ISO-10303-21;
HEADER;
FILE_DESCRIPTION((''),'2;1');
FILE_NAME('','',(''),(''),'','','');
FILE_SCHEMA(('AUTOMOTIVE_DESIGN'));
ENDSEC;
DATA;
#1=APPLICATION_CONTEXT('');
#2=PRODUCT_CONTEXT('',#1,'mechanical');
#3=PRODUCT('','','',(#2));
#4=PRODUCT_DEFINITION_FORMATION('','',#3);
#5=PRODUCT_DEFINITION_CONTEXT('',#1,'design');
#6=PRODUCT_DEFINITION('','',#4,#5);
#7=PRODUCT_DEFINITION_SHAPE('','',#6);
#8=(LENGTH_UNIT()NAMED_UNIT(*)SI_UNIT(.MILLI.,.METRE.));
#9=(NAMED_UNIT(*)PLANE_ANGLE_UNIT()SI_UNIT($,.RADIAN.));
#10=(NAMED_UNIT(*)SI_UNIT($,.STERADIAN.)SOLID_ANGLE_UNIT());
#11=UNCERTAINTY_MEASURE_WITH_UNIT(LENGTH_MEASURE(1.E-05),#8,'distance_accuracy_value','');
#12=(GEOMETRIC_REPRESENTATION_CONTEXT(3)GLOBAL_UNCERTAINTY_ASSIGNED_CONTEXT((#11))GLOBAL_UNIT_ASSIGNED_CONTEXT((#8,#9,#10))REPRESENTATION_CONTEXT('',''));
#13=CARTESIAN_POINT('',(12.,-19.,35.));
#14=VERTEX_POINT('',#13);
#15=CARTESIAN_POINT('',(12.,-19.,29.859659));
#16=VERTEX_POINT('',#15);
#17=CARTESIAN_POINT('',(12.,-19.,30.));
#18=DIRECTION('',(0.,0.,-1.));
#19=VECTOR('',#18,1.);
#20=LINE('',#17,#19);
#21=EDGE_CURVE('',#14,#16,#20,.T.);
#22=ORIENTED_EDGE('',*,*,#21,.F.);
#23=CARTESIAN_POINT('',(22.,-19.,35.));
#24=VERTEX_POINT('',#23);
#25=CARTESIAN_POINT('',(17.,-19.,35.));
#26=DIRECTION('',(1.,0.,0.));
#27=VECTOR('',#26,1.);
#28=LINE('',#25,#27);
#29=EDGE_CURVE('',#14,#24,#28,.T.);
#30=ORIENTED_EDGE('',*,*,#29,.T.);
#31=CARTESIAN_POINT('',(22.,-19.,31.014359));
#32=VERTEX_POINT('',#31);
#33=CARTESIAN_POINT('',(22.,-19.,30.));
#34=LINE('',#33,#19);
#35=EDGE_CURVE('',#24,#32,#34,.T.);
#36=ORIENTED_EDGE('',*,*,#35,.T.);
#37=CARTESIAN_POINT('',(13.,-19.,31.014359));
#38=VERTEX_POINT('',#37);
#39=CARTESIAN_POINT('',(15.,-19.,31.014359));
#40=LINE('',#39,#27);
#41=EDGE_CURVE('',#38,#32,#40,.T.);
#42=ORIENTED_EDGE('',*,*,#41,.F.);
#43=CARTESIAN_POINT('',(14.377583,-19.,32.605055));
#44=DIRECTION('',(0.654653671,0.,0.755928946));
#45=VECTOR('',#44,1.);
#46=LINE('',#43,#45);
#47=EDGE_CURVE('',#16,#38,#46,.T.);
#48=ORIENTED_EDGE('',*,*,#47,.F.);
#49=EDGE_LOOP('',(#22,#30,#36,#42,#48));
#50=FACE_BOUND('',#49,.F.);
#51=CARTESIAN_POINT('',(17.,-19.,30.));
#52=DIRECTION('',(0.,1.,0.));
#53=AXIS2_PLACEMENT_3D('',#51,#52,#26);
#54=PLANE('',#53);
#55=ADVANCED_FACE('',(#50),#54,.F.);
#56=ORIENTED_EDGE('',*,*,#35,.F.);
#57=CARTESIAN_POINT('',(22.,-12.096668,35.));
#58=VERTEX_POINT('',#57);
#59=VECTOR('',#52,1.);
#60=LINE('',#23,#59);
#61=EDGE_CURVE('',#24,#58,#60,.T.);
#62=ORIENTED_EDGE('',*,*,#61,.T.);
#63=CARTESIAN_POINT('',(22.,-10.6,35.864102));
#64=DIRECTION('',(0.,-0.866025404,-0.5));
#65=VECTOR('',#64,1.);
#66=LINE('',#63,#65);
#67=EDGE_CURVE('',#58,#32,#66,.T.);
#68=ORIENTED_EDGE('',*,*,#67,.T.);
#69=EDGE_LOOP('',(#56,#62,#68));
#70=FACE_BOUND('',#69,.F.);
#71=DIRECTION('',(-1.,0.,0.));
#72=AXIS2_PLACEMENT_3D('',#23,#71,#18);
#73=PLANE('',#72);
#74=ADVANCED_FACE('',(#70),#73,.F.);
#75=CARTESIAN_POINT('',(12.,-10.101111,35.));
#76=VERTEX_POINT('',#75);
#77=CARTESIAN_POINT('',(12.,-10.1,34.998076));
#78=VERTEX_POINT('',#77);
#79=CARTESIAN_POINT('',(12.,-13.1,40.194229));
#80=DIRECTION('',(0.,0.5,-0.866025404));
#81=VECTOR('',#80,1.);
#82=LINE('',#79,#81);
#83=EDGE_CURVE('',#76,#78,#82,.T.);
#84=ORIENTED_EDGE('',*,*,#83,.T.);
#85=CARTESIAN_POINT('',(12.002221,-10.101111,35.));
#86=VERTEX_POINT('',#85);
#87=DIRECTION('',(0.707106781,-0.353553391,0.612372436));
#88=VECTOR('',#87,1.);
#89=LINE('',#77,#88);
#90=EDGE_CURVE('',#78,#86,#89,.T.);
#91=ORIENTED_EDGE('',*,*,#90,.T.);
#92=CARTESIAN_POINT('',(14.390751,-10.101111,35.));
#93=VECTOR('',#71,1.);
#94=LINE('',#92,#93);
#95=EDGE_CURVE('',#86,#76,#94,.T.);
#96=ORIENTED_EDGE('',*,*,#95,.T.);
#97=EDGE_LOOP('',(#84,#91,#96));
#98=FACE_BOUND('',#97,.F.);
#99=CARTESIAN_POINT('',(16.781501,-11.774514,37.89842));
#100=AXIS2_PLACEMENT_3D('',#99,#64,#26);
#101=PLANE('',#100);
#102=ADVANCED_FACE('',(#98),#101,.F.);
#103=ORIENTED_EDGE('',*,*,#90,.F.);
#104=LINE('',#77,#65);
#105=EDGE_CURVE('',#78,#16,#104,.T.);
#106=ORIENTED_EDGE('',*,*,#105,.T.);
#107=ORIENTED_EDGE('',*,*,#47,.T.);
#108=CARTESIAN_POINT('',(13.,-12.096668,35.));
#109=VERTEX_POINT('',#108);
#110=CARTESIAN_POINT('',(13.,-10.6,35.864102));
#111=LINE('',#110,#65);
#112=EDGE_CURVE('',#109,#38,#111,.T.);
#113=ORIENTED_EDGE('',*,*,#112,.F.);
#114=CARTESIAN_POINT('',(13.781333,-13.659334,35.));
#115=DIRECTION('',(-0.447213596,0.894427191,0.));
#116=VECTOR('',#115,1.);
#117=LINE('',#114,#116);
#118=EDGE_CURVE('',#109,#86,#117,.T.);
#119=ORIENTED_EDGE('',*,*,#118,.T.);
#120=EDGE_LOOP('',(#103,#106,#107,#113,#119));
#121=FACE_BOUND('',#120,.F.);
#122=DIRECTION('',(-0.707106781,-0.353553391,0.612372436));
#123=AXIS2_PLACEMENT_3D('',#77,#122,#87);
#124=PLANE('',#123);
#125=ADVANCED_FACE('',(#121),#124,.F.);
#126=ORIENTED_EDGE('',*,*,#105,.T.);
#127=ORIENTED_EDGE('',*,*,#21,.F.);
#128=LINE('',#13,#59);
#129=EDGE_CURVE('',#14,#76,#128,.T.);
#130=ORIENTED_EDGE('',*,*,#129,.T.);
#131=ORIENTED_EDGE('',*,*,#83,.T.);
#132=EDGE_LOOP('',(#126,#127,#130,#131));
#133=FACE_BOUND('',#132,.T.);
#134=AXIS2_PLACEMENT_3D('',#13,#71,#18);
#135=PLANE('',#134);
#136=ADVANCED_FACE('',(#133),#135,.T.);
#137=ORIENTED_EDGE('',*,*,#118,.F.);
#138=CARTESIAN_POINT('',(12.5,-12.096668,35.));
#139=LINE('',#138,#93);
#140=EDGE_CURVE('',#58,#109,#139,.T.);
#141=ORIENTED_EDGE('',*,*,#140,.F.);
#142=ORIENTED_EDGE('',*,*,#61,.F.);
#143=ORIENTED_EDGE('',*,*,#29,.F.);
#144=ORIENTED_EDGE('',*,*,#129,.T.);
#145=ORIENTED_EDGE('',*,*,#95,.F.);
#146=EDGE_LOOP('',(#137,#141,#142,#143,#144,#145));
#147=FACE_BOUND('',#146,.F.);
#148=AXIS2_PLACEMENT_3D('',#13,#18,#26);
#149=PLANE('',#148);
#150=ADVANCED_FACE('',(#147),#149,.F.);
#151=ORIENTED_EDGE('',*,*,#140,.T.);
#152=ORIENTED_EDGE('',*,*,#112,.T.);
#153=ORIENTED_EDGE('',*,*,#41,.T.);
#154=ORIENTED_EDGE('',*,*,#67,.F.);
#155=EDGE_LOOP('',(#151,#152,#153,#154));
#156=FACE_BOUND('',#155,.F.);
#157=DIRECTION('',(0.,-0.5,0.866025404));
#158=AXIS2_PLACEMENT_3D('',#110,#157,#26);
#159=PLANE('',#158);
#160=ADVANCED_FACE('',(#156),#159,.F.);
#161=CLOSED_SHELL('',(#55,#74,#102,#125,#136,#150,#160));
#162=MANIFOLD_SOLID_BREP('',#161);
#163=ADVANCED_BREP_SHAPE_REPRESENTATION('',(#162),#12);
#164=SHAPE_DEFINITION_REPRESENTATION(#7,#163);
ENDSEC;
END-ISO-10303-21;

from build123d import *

# Parameters (mm, degrees)
EXTRUDE028_DEPTH        = 15
BODY011_PLACEMENT_ANGLE = 30
BOX002_W                = 10
BOX002_H                = 10
BOX002_DEPTH            = 10


with BuildPart() as body011:
    # Sketch031 (on Cut) → Extrude028 (new body)
    with BuildSketch(Plane.XZ):
        Polygon((0, 3), (1, 4), (10, 4), (10, 9), (0, 9), align=None)
    extrude(amount=EXTRUDE028_DEPTH)


with BuildPart() as body011_1:
    # Body011 placement: moved
    add(body011.part.moved(Location((12, -8.6, 32.4))).rotate(Axis((12, -8.6, 32.4), (1, 0, 0)), BODY011_PLACEMENT_ANGLE))


with BuildPart() as cable:
    # Box002 → Box002 (new body)
    with BuildSketch(Plane(origin=(12, -19, 35), x_dir=(1, 0, 0), z_dir=(0, 1, 0))):
        with Locations((5, 5)):
            Rectangle(BOX002_W, BOX002_H)
    extrude(amount=BOX002_DEPTH)

    # Common: intersect Body011
    add(body011_1.part, mode=Mode.INTERSECT)


solid = cable.part
